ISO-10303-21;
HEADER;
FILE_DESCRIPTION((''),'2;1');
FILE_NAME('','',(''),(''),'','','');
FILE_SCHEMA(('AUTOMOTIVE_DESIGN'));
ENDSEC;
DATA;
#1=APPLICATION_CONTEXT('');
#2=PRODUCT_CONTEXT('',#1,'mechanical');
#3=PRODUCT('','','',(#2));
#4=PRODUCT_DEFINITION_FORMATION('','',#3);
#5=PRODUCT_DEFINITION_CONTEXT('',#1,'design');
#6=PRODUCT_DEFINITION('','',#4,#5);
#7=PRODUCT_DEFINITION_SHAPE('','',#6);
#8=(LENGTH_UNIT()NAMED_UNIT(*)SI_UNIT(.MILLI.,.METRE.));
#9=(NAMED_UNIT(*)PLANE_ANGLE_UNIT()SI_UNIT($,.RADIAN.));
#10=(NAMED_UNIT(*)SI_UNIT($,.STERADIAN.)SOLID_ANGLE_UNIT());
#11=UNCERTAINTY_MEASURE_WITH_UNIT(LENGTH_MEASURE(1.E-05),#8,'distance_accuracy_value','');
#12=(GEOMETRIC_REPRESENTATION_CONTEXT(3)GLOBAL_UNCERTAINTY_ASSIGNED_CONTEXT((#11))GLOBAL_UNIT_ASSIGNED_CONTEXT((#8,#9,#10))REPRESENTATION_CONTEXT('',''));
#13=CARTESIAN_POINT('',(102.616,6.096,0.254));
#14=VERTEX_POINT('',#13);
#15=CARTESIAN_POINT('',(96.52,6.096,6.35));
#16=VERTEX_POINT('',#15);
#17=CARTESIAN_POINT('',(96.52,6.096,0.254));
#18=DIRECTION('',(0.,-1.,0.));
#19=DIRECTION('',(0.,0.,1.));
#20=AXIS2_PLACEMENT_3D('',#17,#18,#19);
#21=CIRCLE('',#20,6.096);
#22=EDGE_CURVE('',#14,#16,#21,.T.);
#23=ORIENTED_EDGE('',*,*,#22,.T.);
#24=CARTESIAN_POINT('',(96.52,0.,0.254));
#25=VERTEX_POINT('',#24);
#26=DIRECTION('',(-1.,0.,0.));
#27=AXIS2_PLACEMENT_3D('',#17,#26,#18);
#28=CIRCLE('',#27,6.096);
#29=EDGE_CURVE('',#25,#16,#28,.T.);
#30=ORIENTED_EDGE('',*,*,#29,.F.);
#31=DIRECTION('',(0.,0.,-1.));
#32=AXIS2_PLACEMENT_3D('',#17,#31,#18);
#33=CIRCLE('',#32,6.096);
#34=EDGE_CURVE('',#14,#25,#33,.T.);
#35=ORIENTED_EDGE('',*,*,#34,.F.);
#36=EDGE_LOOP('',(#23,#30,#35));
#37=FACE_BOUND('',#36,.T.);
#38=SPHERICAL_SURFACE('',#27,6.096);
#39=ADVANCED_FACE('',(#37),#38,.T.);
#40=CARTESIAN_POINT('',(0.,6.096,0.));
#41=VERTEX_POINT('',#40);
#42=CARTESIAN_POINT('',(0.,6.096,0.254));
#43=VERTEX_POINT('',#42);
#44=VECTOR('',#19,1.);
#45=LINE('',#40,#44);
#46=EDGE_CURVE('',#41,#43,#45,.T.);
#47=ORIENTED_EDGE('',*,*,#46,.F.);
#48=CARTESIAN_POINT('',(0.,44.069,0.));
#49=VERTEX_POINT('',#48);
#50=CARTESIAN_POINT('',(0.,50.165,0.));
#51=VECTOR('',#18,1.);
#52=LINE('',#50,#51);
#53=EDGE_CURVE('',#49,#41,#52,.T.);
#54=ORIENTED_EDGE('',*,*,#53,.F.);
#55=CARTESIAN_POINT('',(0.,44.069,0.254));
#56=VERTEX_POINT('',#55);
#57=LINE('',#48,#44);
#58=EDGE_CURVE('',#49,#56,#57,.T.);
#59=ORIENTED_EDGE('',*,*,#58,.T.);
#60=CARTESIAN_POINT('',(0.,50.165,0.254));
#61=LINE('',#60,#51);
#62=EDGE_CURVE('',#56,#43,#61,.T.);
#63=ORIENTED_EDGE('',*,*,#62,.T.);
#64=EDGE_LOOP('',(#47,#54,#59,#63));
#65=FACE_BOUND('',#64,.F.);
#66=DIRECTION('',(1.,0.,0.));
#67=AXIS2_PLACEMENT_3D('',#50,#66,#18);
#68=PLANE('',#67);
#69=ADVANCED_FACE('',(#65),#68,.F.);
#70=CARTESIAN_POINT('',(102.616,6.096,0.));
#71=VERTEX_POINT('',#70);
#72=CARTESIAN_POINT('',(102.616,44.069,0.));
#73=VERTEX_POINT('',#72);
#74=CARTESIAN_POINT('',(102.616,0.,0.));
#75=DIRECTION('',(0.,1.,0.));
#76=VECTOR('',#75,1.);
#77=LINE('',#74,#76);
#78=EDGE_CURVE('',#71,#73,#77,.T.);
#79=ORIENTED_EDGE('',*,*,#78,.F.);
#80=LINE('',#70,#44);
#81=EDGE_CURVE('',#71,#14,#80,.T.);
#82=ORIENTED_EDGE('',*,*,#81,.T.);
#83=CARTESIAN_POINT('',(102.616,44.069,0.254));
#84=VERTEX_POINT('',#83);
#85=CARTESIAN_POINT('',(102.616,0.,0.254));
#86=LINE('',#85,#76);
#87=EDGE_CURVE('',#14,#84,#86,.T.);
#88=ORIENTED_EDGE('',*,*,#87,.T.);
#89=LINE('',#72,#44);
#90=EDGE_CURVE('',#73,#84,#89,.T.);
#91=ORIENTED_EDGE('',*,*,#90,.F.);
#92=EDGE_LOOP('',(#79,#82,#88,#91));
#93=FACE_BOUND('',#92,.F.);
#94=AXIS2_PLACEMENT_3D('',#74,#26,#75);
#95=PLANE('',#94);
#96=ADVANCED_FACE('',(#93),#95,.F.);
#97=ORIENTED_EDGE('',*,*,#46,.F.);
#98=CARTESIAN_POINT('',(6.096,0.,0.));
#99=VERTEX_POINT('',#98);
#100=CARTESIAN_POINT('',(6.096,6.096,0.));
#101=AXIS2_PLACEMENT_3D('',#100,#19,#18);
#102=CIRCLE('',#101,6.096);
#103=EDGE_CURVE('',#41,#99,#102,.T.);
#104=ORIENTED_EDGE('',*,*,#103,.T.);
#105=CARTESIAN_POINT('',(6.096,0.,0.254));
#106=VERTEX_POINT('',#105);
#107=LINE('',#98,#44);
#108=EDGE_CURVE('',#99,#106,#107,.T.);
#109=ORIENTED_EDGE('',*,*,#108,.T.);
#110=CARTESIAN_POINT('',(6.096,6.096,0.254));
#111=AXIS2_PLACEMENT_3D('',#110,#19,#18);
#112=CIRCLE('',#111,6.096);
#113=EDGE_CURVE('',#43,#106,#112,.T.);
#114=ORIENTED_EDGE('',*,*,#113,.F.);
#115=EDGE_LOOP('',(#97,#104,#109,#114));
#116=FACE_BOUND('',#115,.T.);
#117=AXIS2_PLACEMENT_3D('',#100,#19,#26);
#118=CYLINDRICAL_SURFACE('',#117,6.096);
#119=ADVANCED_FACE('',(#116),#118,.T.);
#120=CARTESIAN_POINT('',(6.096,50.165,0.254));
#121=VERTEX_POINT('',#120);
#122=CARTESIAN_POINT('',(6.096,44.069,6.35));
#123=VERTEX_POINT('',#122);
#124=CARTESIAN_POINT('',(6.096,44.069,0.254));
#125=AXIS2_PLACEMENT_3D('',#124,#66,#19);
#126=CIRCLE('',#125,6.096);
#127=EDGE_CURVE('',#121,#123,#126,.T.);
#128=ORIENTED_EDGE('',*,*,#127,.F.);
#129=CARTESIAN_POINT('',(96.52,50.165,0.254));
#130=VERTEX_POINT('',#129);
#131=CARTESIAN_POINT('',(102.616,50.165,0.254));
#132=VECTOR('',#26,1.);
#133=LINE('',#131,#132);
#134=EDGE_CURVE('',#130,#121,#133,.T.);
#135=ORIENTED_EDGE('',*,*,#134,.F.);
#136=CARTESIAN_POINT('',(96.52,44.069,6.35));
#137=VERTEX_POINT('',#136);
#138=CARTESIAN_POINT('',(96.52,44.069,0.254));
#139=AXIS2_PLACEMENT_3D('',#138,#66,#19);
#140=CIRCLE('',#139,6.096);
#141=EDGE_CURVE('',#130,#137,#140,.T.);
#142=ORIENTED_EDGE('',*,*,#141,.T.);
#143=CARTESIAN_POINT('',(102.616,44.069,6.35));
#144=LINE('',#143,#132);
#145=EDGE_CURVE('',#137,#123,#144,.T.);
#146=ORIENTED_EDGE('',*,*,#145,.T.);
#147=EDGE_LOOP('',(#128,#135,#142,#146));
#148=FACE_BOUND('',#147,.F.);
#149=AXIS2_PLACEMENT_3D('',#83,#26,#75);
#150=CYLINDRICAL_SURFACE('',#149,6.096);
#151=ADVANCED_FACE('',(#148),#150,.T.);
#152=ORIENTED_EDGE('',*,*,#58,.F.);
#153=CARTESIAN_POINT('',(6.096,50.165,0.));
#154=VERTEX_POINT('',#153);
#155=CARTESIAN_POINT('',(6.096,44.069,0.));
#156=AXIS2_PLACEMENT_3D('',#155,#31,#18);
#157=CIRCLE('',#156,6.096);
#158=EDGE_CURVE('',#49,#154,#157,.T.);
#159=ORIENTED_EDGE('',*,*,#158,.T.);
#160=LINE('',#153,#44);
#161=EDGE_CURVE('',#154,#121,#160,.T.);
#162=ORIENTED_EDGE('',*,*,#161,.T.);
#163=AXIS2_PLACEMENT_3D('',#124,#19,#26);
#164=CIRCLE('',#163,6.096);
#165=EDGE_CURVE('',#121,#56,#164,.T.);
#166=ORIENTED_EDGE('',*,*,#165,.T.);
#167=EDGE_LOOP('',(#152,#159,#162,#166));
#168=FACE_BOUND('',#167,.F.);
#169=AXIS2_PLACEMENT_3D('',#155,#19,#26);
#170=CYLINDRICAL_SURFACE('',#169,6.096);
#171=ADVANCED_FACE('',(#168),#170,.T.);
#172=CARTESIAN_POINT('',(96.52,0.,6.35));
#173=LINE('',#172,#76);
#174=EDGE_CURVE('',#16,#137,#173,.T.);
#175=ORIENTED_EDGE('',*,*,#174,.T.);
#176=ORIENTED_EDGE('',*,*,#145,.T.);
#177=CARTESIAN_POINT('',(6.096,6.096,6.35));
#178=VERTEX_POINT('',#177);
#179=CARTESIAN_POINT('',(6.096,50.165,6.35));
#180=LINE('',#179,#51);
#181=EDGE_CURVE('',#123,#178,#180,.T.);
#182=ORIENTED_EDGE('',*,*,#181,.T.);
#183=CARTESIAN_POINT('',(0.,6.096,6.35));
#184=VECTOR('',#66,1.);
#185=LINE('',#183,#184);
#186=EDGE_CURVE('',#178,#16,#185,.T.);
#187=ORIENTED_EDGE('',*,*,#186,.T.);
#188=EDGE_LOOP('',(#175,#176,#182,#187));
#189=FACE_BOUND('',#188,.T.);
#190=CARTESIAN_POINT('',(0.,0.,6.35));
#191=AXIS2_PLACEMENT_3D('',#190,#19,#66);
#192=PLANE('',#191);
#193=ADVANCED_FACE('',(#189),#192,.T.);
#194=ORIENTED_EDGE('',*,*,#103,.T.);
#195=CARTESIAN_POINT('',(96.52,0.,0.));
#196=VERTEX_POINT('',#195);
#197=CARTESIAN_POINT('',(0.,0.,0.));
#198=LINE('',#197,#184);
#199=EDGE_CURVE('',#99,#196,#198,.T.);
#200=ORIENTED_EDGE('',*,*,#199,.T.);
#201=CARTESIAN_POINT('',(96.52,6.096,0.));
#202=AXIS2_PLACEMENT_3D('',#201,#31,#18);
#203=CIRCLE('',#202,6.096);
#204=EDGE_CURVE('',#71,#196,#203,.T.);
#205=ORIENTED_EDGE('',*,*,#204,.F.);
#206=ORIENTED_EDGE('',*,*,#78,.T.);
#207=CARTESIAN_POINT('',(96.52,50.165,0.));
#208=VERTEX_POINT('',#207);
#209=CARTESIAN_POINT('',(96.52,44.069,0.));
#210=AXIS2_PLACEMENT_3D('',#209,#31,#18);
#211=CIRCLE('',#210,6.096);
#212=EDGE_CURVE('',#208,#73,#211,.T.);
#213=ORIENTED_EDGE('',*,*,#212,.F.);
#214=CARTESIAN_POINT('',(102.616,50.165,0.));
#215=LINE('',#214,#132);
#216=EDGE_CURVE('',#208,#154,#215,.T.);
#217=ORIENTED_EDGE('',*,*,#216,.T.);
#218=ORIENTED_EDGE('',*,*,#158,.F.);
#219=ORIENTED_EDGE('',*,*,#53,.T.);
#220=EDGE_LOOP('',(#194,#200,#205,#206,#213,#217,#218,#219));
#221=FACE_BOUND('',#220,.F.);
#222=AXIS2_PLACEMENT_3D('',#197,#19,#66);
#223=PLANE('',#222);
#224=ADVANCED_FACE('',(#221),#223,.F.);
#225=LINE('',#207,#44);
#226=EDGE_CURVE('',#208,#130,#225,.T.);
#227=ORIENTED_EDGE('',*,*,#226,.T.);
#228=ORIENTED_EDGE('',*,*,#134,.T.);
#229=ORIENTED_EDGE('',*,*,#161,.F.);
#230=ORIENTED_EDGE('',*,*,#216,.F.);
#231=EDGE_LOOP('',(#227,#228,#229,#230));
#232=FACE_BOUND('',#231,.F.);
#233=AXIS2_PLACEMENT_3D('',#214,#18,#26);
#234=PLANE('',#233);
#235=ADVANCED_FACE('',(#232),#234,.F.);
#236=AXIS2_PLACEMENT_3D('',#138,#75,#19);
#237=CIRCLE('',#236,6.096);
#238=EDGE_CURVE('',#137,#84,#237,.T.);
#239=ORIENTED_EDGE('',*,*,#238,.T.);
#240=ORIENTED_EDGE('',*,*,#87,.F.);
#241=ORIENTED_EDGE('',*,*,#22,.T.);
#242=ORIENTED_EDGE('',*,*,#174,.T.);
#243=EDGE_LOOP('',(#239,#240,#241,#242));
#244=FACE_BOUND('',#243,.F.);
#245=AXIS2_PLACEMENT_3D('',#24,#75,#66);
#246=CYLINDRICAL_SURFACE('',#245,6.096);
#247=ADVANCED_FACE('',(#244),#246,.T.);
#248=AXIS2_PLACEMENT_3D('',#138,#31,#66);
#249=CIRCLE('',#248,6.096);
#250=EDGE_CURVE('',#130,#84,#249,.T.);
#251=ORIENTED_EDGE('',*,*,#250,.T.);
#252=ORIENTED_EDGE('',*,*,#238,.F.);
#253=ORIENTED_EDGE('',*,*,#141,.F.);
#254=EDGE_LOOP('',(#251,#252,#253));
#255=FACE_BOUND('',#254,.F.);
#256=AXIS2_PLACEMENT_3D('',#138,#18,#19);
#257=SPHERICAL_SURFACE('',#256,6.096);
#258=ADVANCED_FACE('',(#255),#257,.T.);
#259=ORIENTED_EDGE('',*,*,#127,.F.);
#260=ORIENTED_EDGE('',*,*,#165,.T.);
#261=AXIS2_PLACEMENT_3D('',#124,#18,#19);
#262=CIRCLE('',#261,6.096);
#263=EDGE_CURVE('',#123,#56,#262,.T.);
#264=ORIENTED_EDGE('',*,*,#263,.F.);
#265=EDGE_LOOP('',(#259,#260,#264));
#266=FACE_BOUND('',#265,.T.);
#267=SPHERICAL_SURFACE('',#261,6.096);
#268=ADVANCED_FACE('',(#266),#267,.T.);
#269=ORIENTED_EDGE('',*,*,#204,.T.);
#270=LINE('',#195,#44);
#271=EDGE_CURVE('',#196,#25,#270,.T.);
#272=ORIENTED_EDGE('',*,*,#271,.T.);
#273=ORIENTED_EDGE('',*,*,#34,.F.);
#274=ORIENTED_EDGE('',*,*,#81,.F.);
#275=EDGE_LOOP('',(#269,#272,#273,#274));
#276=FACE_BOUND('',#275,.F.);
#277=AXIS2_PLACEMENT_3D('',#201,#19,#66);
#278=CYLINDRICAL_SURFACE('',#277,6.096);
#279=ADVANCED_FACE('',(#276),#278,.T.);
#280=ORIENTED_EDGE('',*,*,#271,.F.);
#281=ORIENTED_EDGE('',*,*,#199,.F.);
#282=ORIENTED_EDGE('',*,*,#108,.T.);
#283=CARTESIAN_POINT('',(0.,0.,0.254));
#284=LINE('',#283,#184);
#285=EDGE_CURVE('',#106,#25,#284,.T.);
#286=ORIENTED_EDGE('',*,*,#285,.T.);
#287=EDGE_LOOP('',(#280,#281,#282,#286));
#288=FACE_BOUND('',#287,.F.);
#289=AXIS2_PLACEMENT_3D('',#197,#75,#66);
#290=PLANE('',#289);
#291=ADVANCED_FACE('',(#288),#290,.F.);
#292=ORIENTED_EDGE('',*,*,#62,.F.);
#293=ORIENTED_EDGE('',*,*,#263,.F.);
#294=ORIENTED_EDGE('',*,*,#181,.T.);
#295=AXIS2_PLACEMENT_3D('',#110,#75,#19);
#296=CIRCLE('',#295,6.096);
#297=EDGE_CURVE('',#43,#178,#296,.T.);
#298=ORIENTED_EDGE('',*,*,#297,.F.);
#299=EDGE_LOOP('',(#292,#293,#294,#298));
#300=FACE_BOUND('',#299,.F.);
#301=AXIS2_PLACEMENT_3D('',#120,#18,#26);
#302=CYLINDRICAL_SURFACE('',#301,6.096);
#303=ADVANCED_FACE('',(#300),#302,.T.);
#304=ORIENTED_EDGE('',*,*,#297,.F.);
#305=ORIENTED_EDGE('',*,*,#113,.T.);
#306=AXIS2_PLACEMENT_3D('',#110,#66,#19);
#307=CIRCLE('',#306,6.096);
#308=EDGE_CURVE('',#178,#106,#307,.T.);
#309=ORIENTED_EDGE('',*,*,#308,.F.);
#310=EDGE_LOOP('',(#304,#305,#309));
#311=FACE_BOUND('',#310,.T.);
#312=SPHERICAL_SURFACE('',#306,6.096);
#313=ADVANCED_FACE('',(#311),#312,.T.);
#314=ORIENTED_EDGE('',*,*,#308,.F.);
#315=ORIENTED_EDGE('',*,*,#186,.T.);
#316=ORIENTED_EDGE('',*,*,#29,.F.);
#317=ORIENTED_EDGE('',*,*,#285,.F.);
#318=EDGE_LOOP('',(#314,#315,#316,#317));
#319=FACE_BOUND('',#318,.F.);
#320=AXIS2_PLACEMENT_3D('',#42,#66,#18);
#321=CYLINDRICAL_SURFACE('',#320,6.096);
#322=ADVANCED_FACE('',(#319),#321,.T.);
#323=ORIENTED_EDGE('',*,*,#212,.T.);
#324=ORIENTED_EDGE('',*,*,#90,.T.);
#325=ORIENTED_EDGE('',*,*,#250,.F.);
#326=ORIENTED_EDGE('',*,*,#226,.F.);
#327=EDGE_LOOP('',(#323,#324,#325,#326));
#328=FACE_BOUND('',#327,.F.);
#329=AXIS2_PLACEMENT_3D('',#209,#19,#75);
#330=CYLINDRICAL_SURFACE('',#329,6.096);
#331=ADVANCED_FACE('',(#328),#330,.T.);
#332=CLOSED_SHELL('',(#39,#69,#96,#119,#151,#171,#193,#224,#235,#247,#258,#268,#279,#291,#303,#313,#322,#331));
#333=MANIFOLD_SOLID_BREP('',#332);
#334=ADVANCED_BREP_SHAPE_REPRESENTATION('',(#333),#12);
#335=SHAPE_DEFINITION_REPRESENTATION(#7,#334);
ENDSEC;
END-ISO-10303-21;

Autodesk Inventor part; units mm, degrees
ref_plane "YZ Plane" through (0, 0, 0) normal (1, 0, 0) x (0, 1, 0)
ref_plane "XZ Plane" through (0, 0, 0) normal (0, 1, 0) x (-1, 0, 0)
ref_plane "XY Plane" through (0, 0, 0) normal (0, 0, 1) x (1, 0, 0)
sketch "Sketch1" plane through (0, 0, 0) normal (0, 0, 1) x (1, 0, 0)
  line L0 (0, 0) -> (102.616, 0)
  line L1 (102.616, 0) -> (102.616, 50.165)
  line L2 (102.616, 50.165) -> (0, 50.165)
  line L3 (0, 50.165) -> (0, 0)
  dimension "d0" = 50.165
  dimension "d1" = 102.616
extrude "Extrusion1" add sketch "Sketch1" along normal blind 6.35
fillet "Fillet1" radius 6.096 8 edges at (51.308, 0, 6.35) (0, 25.0825, 6.35) (0, 0, 3.175) (102.616, 0, 3.175) (102.616, 25.0825, 6.35) (51.308, 50.165, 6.35) (102.616, 50.165, 3.175) (0, 50.165, 3.175)
properties part number "The Cap"
